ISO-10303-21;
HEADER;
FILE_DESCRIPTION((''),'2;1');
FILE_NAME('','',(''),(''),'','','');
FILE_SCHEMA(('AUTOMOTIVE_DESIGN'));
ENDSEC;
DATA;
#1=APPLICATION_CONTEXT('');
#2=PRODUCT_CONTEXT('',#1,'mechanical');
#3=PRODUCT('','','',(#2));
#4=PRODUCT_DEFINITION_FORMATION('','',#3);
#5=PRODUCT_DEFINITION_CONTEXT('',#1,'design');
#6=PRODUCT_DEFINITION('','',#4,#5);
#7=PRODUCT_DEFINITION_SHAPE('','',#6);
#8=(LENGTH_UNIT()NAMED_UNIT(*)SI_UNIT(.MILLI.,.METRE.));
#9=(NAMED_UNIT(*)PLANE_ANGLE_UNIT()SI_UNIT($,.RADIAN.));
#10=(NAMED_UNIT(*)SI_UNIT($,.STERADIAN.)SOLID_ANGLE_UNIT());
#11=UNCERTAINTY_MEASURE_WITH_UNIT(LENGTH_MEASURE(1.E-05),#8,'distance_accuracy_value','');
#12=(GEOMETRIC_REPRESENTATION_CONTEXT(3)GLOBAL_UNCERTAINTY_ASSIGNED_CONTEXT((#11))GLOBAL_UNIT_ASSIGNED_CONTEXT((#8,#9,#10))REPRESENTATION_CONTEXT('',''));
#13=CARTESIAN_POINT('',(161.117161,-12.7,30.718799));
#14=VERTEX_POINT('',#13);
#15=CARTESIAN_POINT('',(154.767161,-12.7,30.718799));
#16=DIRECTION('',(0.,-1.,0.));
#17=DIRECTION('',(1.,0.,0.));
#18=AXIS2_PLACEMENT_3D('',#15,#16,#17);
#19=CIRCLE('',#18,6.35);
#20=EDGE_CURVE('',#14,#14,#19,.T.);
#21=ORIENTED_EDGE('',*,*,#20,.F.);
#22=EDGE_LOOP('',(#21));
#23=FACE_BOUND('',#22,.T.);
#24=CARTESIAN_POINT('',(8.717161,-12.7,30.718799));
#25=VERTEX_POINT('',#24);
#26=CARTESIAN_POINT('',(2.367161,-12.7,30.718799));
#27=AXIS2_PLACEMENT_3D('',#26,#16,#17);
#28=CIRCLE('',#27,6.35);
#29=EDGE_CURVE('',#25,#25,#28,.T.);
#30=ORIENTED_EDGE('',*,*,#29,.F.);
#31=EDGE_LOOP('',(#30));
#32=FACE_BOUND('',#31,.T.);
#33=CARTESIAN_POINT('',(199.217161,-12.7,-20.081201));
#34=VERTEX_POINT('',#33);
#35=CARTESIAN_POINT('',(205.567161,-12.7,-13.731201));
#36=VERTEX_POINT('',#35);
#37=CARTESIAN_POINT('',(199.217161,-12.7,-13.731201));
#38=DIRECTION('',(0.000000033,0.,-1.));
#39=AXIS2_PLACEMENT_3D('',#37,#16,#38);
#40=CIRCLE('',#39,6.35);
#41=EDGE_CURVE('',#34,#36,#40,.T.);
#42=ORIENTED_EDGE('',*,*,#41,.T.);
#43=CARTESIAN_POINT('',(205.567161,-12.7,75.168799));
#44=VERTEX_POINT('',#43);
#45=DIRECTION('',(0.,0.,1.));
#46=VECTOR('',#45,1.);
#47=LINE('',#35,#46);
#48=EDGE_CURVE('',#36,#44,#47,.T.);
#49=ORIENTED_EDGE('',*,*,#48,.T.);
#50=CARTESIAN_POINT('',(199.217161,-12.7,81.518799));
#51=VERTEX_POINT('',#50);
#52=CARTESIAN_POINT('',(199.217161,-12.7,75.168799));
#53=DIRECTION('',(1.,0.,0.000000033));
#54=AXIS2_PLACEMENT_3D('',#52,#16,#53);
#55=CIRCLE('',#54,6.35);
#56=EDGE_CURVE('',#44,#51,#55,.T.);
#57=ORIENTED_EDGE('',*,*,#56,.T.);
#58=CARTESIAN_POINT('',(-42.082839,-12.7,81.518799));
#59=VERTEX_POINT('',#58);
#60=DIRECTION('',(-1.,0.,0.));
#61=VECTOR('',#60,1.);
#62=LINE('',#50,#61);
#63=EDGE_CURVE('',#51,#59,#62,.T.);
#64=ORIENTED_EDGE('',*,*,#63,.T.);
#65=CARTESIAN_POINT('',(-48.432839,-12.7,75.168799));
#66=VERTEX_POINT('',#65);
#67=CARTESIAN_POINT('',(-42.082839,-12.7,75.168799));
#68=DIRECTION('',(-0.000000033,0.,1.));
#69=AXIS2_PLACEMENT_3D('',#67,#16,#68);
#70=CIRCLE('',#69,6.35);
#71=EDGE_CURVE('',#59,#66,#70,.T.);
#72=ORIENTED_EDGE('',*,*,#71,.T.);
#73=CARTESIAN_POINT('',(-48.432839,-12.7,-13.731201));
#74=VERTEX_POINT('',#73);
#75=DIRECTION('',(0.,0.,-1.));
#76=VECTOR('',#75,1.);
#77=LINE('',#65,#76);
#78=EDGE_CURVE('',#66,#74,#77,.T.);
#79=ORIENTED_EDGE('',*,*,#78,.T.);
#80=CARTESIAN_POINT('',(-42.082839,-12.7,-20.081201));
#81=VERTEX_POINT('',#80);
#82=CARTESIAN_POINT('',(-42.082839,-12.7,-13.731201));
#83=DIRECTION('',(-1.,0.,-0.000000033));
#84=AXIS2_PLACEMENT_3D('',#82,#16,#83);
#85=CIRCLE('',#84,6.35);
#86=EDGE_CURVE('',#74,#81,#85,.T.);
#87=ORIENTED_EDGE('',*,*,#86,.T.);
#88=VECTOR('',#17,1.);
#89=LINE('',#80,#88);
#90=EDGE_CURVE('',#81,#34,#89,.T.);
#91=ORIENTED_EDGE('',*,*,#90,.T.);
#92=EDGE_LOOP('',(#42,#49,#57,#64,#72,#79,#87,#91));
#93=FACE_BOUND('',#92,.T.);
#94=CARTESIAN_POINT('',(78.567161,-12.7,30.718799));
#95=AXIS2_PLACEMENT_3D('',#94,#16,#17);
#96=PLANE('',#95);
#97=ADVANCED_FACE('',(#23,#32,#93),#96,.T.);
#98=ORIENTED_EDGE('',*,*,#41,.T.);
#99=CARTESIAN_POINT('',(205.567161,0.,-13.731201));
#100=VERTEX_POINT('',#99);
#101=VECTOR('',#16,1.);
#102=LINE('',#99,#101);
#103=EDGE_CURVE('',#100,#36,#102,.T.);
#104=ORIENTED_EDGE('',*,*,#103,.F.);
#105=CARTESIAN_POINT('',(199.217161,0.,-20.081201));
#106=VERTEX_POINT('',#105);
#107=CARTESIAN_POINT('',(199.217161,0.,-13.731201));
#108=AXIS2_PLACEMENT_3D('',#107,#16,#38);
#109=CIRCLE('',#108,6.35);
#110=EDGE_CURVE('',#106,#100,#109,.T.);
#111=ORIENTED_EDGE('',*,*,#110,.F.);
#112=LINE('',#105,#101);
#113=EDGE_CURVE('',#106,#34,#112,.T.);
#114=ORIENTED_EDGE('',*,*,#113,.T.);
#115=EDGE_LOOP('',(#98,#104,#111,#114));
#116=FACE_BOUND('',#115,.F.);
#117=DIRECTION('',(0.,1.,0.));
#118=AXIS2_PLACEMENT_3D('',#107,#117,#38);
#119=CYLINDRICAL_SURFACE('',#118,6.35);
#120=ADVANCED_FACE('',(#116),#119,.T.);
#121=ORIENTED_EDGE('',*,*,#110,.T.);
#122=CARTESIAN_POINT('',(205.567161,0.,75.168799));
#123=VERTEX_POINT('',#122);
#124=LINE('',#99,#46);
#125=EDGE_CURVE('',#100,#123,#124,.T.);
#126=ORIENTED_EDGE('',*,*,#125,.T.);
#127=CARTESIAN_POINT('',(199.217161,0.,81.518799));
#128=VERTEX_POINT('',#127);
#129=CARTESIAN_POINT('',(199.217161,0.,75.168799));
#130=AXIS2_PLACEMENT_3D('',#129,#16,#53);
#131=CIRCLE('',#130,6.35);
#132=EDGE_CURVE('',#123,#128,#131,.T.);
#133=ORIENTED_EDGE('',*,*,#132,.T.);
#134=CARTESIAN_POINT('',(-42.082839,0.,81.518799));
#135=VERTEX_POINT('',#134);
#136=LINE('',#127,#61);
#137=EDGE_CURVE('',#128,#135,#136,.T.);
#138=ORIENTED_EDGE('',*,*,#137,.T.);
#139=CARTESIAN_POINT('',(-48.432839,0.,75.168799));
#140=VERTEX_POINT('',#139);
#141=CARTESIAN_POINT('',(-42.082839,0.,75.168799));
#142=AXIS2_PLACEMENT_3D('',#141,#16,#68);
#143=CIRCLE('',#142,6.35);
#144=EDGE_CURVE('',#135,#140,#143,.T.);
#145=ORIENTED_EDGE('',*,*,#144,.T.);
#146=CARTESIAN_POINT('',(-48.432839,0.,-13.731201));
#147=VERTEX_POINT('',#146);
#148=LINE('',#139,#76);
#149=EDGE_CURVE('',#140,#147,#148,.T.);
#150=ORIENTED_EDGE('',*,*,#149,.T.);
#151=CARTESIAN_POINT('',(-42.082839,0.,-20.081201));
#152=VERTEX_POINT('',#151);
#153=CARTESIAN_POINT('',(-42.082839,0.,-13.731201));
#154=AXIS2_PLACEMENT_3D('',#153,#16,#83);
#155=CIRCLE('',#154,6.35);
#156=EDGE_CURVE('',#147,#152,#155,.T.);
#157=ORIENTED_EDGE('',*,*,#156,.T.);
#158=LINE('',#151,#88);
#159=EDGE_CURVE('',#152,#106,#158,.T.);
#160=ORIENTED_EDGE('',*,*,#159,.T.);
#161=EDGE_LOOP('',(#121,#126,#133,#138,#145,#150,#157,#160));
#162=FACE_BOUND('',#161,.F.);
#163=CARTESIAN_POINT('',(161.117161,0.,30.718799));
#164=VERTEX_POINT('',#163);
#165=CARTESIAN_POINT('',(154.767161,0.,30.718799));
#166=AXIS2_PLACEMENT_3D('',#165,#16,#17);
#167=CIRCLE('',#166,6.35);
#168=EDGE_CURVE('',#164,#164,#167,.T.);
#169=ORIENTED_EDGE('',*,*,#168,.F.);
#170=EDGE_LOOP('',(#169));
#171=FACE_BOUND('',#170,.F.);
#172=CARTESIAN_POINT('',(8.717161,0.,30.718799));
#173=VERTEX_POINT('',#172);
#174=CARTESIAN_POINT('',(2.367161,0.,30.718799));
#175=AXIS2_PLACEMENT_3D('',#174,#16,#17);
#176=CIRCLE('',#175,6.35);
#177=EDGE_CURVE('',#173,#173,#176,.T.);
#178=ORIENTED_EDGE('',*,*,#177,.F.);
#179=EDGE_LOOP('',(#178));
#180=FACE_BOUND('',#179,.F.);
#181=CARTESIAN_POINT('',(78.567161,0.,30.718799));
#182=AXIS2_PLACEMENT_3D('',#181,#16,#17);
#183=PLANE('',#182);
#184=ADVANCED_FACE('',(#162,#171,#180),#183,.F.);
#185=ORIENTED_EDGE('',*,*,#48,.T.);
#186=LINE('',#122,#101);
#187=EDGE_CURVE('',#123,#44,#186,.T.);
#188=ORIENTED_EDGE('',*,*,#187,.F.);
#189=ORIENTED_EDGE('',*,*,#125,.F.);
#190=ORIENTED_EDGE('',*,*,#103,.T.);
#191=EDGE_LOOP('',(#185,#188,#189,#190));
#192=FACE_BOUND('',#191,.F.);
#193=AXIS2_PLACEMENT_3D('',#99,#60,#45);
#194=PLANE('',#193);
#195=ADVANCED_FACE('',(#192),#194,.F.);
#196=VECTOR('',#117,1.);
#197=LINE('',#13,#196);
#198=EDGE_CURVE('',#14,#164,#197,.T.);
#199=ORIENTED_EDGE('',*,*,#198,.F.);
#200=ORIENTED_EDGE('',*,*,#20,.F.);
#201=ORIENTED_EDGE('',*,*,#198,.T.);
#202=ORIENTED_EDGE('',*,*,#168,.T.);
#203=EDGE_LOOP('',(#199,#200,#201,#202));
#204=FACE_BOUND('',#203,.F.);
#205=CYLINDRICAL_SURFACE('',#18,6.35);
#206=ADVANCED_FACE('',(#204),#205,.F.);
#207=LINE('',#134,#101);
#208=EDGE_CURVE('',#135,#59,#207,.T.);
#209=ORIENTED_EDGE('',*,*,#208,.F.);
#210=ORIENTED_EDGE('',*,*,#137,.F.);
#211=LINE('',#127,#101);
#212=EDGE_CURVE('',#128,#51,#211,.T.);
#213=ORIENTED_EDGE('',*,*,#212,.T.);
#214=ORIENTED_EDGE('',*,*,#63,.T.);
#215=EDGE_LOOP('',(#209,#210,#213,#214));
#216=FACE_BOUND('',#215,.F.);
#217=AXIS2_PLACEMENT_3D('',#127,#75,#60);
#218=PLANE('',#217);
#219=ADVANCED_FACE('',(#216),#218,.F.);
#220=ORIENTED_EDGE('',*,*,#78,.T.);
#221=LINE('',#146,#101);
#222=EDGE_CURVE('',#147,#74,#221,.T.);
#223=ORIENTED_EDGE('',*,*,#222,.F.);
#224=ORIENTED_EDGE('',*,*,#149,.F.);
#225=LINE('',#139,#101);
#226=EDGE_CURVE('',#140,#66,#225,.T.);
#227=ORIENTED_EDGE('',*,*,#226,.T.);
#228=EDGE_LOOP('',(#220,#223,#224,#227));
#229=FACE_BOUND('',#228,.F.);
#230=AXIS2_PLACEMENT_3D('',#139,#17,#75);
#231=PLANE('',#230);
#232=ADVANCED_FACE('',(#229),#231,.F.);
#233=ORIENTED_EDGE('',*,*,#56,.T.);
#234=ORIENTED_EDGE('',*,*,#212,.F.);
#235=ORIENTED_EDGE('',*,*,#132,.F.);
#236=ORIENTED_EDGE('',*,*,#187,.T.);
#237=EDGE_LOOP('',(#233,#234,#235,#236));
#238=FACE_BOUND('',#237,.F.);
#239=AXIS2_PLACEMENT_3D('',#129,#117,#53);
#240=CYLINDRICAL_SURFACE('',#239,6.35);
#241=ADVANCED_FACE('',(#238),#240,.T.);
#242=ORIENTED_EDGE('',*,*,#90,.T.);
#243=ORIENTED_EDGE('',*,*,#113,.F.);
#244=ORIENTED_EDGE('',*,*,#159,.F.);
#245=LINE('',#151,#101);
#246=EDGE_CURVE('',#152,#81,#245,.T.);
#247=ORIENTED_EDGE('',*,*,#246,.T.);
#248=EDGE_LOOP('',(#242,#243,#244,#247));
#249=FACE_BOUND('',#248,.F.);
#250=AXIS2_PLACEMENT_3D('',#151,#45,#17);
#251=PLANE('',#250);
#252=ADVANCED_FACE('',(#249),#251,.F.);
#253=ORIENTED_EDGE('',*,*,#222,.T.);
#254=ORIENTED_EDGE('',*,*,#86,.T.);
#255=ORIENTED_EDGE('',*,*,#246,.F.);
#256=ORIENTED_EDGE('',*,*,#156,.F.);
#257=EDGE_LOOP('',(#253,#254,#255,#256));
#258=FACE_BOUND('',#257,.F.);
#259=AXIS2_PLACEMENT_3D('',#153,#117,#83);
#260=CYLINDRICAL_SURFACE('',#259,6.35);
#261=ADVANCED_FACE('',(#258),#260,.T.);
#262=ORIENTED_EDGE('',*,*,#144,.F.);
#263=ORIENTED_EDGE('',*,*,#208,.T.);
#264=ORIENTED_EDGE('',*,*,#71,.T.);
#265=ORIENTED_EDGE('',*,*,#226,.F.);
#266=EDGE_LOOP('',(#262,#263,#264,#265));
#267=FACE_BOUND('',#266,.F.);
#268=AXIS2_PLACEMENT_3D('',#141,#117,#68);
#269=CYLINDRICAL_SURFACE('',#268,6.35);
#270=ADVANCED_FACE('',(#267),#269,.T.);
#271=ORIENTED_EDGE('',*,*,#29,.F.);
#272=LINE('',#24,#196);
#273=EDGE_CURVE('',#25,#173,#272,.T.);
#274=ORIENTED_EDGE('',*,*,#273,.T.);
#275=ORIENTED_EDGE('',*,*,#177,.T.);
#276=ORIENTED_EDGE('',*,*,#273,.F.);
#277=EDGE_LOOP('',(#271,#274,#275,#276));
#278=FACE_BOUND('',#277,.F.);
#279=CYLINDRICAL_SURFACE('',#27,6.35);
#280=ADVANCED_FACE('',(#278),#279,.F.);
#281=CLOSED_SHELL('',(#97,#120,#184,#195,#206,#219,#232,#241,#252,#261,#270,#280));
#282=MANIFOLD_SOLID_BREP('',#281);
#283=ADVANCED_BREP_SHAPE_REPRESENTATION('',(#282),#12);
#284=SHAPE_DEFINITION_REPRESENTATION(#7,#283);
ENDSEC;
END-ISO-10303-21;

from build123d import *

# Parameters (mm, degrees)
F1_DEPTH = 12.7
F2_R     = 6.35
F3_DEPTH = 25.4


with BuildPart() as f1:
    # F0 (on Front) → F1 (new body)
    with BuildSketch(Plane.XZ):
        with BuildLine():
            Line((199.217161, 81.518799), (-42.082839, 81.518799))
            ThreePointArc((-42.082839, 81.518799), (-46.572967, 79.658927), (-48.432839, 75.168799))
            Line((-48.432839, 75.168799), (-48.432839, -13.731201))
            ThreePointArc((-48.432839, -13.731201), (-46.572967, -18.221329), (-42.082839, -20.081201))
            Line((-42.082839, -20.081201), (199.217161, -20.081201))
            ThreePointArc((199.217161, -20.081201), (203.707289, -18.221329), (205.567161, -13.731201))
            Line((205.567161, -13.731201), (205.567161, 75.168799))
            ThreePointArc((205.567161, 75.168799), (203.707289, 79.658927), (199.217161, 81.518799))
        make_face()
    extrude(amount=F1_DEPTH)

    # F2 (on face) → F3 (cut)
    with BuildSketch(Plane.XZ.offset(12.7)):
        with Locations((2.367161, 30.718799)):
            Circle(F2_R)
        with Locations((154.767161, 30.718799)):
            Circle(F2_R)
    extrude(amount=-F3_DEPTH, mode=Mode.SUBTRACT)


solid = f1.part
